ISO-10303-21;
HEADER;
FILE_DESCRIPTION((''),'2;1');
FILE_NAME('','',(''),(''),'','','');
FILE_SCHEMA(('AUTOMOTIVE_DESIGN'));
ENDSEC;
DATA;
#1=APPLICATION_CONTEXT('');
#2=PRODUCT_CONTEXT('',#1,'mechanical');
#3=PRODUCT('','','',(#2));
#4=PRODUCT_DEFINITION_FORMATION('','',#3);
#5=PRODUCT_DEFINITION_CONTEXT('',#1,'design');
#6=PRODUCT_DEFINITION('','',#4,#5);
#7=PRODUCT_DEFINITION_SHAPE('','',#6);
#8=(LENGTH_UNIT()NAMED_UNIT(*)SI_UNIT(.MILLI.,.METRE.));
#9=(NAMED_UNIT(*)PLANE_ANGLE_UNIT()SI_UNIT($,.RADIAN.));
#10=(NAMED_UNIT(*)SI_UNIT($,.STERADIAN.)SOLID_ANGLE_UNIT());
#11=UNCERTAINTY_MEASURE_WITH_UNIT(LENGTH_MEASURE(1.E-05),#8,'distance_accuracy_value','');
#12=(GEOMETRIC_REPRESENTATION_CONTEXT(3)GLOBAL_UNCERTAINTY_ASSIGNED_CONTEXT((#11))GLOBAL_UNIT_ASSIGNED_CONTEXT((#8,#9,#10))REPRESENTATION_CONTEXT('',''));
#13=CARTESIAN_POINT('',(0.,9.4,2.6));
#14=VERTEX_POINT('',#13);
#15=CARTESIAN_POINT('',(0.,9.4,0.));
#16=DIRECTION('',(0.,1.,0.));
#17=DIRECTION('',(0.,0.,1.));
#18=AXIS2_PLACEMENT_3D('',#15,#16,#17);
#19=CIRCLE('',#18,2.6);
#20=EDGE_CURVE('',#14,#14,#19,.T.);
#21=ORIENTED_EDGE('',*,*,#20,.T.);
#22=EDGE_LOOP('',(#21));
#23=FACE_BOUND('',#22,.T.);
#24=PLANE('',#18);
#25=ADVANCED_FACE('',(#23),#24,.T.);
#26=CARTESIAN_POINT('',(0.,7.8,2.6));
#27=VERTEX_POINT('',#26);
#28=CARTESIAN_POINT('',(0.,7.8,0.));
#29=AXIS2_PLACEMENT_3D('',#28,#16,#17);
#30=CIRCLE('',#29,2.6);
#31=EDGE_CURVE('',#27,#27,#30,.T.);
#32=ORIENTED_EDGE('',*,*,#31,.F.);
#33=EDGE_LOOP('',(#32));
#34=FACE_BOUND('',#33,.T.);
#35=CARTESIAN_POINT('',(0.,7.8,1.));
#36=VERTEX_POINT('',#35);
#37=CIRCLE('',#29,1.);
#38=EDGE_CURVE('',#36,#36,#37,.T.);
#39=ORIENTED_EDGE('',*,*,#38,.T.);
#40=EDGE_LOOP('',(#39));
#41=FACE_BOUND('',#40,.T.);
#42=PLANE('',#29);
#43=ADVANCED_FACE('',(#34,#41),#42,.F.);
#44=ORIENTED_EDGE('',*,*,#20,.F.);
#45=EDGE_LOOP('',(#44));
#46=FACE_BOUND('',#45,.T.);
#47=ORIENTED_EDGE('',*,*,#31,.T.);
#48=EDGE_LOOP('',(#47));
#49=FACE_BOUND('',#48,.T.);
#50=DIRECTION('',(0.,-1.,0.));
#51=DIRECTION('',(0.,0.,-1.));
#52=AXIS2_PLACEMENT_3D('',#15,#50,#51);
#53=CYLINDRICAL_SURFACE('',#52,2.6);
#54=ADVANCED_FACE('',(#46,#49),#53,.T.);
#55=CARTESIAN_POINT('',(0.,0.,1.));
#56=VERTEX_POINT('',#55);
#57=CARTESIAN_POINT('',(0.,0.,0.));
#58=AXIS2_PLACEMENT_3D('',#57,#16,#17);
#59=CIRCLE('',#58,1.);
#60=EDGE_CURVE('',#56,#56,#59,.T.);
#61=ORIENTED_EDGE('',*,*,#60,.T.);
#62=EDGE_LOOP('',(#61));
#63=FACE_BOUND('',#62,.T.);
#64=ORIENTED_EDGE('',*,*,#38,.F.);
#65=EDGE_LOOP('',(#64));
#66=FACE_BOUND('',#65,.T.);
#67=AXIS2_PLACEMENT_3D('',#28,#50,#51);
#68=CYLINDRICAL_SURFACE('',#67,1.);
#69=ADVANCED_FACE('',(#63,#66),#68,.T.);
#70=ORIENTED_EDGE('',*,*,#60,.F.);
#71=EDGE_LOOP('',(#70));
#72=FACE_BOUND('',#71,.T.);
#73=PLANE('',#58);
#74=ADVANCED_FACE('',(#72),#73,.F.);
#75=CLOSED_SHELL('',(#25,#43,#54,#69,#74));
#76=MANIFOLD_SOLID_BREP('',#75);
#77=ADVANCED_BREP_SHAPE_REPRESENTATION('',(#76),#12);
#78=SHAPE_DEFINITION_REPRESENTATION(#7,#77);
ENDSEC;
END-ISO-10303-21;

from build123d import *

# Parameters (mm, degrees)
SKETCH1_R           = 1
BOSS_EXTRUDE1_DEPTH = 7.8
SKETCH2_R           = 2.6
BOSS_EXTRUDE2_DEPTH = 1.6


with BuildPart() as part:
    # Sketch1 → Boss-Extrude1 (new body)
    with BuildSketch(Plane(origin=(0, 0, 0), x_dir=(1, 0, 0), z_dir=(0, 1, 0))):
        with Locations(Location((0, 0, 0), (0, 0, 270))):
            Circle(SKETCH1_R)
    extrude(amount=BOSS_EXTRUDE1_DEPTH)

    # Sketch2 → Boss-Extrude2 (add)
    with BuildSketch(Plane(origin=(0, 7.8, 0), x_dir=(1, 0, 0), z_dir=(0, 1, 0))):
        with Locations(Location((0, 0, 0), (0, 0, 270))):
            Circle(SKETCH2_R)
    extrude(amount=BOSS_EXTRUDE2_DEPTH)


solid = part.part
